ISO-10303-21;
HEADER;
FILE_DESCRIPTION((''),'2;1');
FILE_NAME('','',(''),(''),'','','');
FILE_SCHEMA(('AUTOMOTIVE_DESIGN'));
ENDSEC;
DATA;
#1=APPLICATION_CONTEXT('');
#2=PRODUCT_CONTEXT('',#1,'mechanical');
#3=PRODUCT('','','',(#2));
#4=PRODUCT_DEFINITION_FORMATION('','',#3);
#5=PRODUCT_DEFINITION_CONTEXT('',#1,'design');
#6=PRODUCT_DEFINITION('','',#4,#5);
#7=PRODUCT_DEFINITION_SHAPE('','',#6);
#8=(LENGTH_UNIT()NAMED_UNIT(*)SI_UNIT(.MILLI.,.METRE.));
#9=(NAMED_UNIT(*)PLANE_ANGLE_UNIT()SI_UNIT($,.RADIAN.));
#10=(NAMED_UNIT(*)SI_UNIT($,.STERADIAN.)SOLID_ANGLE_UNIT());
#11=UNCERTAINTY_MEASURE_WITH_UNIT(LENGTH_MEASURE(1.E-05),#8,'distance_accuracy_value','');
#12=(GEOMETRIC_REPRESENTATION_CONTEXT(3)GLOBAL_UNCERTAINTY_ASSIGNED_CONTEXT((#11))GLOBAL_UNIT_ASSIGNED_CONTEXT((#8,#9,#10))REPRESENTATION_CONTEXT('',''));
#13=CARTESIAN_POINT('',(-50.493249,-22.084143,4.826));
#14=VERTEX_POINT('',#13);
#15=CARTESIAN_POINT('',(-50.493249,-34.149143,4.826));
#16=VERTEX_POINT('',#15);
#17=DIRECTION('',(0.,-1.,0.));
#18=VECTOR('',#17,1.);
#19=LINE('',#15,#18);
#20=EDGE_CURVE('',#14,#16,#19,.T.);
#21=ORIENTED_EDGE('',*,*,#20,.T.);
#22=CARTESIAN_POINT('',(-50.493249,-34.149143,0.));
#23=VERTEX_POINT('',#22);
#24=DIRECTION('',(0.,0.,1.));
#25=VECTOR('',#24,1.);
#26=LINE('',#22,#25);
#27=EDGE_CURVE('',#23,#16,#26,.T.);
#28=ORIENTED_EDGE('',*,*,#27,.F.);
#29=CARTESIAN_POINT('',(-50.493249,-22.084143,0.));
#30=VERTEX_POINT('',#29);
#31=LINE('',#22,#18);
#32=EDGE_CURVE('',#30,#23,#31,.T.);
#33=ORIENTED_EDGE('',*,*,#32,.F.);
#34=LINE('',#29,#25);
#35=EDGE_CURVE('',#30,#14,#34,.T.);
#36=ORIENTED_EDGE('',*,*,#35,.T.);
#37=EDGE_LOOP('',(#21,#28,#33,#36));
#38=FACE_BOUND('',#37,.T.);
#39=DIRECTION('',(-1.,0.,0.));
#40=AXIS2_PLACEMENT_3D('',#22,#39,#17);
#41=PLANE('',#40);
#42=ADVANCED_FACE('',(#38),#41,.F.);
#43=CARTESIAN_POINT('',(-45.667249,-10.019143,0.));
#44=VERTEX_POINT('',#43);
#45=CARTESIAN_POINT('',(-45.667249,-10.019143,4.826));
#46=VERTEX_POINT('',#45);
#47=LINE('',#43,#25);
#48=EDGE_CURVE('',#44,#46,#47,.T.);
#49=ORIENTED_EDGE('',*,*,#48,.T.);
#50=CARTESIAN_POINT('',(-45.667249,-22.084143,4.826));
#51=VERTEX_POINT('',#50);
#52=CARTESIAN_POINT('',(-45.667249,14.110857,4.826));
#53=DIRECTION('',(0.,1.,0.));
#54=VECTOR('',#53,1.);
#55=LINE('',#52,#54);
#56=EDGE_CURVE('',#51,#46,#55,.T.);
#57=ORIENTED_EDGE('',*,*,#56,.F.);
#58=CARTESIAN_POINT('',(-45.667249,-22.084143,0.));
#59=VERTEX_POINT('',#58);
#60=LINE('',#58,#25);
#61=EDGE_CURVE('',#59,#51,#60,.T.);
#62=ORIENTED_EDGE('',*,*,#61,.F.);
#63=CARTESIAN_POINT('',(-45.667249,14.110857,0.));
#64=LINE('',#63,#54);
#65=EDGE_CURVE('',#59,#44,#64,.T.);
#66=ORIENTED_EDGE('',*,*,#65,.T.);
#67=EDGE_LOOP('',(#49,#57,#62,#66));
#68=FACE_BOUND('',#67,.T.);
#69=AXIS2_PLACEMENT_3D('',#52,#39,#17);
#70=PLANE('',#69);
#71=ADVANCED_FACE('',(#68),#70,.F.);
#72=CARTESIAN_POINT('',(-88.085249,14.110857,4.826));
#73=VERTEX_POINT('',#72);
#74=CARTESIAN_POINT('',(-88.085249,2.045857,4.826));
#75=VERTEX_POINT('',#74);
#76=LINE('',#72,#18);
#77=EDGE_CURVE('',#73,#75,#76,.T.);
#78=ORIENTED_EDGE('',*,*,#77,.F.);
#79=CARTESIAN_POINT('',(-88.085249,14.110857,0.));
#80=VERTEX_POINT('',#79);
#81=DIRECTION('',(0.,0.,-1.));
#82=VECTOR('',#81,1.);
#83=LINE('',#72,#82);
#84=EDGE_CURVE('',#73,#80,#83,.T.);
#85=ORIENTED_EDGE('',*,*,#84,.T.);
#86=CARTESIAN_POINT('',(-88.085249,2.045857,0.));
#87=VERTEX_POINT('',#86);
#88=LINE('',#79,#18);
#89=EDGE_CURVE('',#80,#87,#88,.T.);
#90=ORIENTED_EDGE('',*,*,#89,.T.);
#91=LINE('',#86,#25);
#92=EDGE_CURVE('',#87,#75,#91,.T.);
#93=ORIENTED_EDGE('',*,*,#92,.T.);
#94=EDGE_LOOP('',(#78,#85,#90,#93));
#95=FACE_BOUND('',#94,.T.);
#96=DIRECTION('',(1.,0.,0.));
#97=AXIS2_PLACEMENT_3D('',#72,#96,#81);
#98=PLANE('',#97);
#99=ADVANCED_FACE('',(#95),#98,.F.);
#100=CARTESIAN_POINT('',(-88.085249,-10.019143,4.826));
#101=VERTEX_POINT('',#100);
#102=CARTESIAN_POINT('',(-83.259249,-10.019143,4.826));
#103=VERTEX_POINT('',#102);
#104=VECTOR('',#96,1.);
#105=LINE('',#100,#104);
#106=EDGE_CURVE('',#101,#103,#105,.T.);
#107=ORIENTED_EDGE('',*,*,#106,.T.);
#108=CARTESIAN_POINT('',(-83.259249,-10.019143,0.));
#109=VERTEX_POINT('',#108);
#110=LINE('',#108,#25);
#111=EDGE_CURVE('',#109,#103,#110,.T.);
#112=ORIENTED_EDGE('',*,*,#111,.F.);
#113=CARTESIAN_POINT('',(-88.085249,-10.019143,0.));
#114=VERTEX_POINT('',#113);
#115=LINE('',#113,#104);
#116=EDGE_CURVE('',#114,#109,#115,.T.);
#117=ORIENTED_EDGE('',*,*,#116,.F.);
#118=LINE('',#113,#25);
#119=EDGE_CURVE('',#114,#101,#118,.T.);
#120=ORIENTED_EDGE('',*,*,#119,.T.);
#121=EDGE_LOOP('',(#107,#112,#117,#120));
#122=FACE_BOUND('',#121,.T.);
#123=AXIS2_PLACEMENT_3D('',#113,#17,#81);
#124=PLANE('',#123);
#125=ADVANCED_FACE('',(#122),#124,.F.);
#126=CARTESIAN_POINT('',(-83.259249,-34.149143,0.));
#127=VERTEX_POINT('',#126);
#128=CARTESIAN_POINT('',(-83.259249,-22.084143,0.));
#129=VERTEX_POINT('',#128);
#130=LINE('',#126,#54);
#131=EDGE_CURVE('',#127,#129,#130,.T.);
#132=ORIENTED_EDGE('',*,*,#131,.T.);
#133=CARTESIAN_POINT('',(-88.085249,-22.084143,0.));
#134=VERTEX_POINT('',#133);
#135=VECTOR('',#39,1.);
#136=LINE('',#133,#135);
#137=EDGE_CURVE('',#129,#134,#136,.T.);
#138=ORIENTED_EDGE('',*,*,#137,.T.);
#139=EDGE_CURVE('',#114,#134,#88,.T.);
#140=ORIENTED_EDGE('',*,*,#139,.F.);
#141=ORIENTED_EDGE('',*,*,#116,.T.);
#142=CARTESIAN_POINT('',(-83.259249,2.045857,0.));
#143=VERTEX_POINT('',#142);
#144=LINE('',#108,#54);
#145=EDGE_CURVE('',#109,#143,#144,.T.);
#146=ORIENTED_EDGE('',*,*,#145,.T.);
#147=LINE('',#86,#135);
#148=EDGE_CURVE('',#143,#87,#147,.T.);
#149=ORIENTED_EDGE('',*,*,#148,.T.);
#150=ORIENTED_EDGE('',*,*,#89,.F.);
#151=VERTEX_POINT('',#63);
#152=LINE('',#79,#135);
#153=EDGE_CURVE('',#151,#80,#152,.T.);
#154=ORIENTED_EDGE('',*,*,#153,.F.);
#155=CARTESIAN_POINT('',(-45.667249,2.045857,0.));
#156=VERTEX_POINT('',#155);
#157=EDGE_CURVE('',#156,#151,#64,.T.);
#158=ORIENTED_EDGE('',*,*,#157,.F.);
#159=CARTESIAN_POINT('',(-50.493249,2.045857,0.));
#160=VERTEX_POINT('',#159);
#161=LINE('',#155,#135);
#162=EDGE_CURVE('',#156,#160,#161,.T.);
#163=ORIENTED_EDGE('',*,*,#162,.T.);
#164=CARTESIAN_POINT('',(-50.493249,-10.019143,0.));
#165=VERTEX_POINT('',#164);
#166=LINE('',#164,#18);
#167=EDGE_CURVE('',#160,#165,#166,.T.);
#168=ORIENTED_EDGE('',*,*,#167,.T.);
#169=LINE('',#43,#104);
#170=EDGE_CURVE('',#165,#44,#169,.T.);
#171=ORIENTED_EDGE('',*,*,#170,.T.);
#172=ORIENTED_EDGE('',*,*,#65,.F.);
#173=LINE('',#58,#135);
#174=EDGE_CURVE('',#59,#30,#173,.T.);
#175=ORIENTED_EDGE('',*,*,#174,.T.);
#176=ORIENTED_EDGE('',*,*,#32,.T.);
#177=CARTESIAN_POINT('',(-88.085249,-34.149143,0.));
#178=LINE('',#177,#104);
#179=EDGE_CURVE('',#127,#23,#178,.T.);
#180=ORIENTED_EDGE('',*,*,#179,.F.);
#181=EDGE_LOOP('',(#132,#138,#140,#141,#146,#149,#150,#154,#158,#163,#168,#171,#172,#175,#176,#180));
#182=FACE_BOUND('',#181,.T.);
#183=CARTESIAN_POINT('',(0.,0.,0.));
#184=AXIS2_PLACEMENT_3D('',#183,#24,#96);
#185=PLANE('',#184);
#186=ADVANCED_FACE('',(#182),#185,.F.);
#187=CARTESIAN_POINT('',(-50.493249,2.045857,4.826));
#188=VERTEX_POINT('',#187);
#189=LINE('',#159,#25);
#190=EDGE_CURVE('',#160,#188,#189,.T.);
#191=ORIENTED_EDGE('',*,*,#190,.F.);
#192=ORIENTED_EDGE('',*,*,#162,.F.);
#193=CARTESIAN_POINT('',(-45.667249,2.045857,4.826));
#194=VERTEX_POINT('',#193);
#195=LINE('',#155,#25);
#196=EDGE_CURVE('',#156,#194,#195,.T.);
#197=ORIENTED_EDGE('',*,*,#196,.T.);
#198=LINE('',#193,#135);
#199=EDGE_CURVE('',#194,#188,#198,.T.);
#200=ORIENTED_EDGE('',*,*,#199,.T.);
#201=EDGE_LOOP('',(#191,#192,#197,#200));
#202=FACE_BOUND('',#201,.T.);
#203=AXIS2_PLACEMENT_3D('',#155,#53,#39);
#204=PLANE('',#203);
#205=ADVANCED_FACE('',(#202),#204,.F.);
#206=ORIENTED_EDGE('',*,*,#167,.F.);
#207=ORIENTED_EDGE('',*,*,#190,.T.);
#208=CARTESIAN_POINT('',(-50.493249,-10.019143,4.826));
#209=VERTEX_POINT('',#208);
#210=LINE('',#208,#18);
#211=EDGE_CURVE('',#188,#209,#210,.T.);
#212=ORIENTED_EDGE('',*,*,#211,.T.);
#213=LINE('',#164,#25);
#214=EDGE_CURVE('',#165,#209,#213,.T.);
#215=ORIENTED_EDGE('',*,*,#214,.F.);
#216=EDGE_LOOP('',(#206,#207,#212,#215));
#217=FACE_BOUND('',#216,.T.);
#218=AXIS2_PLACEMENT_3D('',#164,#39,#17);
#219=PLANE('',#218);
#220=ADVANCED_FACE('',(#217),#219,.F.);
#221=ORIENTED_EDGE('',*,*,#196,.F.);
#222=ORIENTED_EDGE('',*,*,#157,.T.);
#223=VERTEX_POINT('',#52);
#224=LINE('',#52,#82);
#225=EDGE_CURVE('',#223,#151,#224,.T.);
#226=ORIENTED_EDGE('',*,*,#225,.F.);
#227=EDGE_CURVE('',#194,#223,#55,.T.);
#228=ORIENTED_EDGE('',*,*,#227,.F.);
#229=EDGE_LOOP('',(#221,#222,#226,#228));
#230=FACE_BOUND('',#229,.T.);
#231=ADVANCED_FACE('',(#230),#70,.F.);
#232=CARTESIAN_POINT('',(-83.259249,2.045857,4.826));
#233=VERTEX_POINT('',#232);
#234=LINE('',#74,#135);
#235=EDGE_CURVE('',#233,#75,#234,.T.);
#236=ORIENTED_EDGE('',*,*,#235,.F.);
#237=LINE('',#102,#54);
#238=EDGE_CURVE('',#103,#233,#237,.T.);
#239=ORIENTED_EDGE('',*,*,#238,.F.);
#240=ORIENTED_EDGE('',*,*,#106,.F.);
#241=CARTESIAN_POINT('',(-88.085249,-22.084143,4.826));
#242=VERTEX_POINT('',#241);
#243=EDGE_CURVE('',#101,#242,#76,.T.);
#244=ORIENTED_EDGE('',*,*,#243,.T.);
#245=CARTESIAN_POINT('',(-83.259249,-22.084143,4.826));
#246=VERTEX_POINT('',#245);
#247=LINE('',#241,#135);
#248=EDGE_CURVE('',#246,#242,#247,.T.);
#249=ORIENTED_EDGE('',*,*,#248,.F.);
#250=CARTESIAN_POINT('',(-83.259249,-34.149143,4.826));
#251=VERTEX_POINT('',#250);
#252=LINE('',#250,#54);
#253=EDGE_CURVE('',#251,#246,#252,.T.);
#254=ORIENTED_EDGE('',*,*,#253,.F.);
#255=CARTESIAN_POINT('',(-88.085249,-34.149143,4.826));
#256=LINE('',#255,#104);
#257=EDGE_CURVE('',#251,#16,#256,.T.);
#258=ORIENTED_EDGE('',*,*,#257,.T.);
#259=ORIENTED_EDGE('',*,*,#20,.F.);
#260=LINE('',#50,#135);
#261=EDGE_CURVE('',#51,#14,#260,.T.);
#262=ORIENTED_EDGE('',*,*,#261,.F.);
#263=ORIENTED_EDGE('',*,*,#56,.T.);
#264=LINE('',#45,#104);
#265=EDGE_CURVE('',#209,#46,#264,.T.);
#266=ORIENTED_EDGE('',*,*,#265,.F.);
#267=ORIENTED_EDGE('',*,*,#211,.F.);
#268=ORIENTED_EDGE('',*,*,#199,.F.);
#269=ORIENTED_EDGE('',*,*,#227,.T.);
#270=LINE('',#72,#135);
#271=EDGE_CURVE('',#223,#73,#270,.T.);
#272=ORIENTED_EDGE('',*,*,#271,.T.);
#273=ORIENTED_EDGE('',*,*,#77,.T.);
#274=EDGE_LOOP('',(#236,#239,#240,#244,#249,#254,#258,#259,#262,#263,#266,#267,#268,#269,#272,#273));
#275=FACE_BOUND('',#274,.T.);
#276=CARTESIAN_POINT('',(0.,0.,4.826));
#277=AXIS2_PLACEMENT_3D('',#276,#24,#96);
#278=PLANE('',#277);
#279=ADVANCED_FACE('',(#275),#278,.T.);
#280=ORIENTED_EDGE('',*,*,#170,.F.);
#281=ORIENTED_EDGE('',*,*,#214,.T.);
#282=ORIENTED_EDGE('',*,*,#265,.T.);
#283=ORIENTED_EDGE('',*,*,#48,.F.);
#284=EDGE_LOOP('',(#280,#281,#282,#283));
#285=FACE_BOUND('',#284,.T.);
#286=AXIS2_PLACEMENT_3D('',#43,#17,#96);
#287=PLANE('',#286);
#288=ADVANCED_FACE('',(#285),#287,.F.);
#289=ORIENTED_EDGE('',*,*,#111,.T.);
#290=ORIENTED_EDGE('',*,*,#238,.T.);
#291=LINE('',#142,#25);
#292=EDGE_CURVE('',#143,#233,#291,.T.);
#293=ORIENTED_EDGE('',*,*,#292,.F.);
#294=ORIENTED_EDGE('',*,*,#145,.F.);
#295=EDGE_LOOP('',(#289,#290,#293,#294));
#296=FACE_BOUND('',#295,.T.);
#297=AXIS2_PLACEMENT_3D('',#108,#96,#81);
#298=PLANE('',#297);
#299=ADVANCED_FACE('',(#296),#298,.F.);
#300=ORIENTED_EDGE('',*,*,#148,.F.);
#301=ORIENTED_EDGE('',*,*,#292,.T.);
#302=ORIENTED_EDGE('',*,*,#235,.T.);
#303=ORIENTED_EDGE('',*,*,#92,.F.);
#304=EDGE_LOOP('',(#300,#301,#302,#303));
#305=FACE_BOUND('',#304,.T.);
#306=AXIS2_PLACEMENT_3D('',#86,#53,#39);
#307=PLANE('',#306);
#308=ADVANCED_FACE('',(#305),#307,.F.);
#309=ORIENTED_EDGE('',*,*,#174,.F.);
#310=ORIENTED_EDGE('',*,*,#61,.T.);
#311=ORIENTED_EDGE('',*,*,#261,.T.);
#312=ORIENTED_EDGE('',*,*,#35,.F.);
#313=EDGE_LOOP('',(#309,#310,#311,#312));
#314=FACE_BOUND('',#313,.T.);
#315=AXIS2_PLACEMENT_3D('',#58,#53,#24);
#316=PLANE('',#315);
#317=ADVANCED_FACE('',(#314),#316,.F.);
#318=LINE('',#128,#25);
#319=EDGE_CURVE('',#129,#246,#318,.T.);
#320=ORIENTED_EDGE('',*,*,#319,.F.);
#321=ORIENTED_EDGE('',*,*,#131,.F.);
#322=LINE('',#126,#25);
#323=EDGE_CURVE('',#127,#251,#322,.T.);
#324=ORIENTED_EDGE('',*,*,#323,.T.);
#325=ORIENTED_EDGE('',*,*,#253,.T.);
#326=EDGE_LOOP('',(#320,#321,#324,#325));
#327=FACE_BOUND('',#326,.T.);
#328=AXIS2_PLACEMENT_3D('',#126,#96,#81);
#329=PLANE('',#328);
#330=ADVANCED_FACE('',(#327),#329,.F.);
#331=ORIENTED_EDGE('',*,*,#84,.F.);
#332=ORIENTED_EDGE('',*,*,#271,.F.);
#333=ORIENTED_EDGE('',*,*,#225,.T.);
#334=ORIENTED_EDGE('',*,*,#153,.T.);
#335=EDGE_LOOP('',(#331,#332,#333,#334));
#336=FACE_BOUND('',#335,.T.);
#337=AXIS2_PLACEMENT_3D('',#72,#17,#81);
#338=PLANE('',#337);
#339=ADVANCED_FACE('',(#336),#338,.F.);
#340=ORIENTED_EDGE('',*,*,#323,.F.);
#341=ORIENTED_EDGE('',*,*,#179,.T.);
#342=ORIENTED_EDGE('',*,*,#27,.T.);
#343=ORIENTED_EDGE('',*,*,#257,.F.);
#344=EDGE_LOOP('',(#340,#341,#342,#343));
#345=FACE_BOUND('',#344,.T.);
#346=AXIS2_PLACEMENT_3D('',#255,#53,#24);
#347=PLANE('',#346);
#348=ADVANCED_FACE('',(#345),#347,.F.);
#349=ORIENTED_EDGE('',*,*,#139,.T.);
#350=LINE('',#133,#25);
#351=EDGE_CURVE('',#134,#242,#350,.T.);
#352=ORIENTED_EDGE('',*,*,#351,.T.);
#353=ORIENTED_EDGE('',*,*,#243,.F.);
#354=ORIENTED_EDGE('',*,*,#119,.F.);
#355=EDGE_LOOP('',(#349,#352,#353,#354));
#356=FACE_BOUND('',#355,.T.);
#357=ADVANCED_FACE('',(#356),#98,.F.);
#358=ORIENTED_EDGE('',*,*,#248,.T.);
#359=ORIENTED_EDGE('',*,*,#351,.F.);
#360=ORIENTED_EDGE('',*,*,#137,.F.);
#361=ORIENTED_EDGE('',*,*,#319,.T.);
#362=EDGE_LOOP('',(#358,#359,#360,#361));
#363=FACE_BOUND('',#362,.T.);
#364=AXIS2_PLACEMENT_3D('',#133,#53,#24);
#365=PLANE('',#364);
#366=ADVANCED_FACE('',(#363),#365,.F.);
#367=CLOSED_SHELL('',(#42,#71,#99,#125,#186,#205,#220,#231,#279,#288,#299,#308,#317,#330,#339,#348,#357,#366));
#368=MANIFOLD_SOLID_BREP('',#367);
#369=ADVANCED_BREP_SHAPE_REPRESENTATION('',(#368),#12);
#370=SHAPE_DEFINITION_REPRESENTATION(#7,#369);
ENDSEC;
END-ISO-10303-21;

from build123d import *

# Parameters (mm, degrees)
SKETCH1_W           = 42.418
SKETCH1_H           = 48.26
BOSS_EXTRUDE1_DEPTH = 4.826
SKETCH2_W           = 4.826
SKETCH2_H           = 12.065
CUT_EXTRUDE1_DEPTH  = 95.596328561


with BuildPart() as part:
    # Sketch1 → Boss-Extrude1 (new body)
    with BuildSketch(Plane.XY):
        with Locations((-66.876249325, -10.019142782)):
            Rectangle(SKETCH1_W, SKETCH1_H)
    extrude(amount=BOSS_EXTRUDE1_DEPTH)

    # Sketch2 → Cut-Extrude1 (cut, through all)
    with BuildSketch(Plane.XY.offset(4.826)):
        with Locations((-85.672249325, -28.116642782)):
            Rectangle(SKETCH2_W, SKETCH2_H)
        with Locations((-85.672249325, -3.986642782)):
            Rectangle(SKETCH2_W, SKETCH2_H)
        with Locations((-48.080249325, -3.986642782)):
            Rectangle(SKETCH2_W, SKETCH2_H)
        with Locations((-48.080249325, -28.116642782)):
            Rectangle(SKETCH2_W, SKETCH2_H)
    extrude(amount=-CUT_EXTRUDE1_DEPTH, mode=Mode.SUBTRACT)


solid = part.part
